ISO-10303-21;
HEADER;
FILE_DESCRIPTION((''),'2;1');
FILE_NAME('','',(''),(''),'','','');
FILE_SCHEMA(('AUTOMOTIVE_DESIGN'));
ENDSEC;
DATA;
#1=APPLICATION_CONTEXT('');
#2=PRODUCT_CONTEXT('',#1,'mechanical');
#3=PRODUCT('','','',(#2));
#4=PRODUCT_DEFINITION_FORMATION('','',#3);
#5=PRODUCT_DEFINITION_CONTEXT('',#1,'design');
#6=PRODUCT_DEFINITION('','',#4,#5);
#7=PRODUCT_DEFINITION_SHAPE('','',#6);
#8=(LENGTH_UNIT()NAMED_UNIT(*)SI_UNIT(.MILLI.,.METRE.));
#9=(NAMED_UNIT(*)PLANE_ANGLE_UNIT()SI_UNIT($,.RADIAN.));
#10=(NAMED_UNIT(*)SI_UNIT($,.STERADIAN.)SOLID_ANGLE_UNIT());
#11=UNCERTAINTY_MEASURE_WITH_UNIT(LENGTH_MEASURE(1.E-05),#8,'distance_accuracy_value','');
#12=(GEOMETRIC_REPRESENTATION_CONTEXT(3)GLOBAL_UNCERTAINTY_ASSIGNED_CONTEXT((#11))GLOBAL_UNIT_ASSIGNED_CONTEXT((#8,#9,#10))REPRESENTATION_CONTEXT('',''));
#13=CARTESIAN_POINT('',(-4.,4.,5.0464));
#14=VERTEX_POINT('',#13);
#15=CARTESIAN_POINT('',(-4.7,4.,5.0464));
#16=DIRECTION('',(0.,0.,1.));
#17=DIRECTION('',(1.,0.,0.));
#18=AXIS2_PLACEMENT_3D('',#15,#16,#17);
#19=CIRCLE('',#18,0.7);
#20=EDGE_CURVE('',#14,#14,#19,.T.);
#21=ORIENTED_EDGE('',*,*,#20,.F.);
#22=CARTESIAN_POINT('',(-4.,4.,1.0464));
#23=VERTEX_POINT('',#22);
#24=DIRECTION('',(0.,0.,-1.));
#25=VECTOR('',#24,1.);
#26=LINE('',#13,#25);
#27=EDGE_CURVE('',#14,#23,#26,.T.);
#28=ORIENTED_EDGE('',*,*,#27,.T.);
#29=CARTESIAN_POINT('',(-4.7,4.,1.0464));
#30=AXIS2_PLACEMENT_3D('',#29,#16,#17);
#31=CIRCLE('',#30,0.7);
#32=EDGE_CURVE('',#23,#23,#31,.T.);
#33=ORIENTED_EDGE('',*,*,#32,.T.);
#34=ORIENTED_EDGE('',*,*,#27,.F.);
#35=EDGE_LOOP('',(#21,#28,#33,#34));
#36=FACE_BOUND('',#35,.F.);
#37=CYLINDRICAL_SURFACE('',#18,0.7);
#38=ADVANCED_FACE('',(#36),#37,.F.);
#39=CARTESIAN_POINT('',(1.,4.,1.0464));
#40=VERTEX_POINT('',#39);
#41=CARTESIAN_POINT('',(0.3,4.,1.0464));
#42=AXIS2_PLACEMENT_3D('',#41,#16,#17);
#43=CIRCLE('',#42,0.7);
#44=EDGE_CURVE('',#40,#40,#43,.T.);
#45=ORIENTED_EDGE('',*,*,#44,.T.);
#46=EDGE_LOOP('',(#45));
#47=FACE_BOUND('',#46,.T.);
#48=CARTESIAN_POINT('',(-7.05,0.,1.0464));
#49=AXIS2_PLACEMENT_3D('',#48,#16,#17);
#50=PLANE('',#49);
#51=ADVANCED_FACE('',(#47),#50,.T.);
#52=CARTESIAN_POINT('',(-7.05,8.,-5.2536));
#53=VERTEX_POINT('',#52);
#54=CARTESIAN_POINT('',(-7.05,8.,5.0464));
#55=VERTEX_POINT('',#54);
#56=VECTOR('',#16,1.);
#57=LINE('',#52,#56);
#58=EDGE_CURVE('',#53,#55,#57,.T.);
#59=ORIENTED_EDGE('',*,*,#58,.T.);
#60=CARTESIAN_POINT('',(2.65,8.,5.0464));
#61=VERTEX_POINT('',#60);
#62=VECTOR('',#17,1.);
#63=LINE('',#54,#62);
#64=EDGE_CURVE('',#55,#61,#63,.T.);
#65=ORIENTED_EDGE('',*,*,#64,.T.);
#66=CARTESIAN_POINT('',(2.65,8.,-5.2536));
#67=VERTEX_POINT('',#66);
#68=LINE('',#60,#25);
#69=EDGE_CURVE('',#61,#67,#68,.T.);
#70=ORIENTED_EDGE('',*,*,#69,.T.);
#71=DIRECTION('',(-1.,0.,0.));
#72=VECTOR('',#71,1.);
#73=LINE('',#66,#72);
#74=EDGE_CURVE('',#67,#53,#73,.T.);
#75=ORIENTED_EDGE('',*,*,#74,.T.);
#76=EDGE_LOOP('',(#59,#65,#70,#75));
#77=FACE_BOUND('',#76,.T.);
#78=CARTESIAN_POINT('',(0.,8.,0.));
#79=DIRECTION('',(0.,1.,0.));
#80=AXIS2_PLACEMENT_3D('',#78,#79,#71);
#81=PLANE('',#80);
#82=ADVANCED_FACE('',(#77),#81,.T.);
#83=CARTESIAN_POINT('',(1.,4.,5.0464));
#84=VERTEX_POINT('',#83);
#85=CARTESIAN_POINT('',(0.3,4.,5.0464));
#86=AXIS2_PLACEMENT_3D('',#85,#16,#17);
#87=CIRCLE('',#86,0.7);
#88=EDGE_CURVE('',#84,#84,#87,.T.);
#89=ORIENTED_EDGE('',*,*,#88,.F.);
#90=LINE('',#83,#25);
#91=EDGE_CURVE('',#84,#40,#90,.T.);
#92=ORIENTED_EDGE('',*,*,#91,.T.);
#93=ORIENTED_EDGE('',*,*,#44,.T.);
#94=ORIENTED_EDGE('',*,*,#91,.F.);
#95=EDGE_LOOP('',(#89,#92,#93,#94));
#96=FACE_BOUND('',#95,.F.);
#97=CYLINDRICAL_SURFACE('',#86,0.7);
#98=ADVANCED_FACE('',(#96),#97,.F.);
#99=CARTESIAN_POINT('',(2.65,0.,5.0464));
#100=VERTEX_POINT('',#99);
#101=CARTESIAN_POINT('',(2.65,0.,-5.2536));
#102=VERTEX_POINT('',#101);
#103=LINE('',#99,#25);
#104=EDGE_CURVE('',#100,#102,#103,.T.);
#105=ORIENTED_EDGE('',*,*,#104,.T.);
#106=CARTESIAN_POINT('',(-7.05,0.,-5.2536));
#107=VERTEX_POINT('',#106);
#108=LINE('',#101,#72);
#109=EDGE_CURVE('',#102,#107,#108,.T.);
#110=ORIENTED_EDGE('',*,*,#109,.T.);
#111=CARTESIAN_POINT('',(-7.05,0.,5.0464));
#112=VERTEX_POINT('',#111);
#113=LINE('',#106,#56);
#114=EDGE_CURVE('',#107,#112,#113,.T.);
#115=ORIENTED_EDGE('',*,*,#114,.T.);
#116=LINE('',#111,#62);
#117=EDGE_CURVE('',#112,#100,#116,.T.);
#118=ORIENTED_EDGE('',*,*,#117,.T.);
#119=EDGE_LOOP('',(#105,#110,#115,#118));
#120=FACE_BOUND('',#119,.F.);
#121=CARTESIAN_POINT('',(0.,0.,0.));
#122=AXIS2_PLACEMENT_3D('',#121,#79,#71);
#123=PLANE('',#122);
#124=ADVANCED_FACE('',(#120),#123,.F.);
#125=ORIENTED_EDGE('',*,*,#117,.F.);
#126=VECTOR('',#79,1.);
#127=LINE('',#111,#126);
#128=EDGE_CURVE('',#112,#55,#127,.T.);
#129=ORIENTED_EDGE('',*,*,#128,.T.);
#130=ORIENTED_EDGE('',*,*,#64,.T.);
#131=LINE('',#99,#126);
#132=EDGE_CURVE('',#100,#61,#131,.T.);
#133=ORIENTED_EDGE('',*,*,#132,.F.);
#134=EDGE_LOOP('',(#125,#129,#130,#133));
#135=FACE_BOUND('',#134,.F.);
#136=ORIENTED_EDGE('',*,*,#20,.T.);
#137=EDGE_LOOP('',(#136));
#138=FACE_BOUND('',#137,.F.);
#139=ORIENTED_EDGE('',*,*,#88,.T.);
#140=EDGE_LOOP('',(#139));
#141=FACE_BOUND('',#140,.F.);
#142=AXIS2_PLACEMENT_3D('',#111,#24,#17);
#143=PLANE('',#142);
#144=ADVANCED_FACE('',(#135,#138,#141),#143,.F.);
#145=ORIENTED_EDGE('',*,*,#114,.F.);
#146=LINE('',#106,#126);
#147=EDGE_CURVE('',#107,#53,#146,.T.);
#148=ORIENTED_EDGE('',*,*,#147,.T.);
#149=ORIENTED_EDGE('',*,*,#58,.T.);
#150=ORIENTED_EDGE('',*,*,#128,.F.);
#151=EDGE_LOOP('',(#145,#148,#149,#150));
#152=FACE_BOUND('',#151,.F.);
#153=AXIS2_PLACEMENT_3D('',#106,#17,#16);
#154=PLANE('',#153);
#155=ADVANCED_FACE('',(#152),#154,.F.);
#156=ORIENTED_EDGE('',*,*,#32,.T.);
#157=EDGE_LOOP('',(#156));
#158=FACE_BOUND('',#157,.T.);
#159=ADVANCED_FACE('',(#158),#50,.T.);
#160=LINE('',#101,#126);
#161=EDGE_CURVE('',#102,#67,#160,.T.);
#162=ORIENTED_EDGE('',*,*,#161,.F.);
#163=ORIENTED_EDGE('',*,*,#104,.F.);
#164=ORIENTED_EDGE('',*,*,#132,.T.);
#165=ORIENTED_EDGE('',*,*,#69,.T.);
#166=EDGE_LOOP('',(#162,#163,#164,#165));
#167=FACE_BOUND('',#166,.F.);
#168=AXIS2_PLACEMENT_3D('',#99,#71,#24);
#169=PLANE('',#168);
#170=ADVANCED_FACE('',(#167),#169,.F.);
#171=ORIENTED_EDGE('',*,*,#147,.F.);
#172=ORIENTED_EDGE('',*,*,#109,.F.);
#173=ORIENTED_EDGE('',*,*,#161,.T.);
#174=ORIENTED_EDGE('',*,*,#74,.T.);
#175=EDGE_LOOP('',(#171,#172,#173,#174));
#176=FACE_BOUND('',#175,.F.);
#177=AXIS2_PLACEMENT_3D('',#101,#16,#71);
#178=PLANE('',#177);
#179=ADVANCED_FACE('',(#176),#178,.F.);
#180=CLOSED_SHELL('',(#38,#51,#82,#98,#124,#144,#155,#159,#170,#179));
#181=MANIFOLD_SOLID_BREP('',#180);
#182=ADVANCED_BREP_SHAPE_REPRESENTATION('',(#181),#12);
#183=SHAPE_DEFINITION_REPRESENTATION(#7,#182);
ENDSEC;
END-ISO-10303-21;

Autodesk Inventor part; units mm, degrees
ref_plane "YZ Plane" through (0, 0, 0) normal (1, 0, 0) x (0, 1, 0)
ref_plane "XZ Plane" through (0, 0, 0) normal (0, 1, 0) x (-1, 0, 0)
ref_plane "XY Plane" through (0, 0, 0) normal (0, 0, 1) x (1, 0, 0)
sketch "Skizze1" plane through (0, 0, 0) normal (0, 1, 0) x (-1, 0, 0)
  line L0 (7.05, 5.0464) -> (-2.65, 5.0464)
  line L1 (-2.65, 5.0464) -> (-2.65, -5.2536)
  line L2 (-2.65, -5.2536) -> (7.05, -5.2536)
  line L3 (7.05, -5.2536) -> (7.05, 5.0464)
  point P0 (0, 0)
  dimension "d0" = 9.7
  dimension "d1" = 10.3
extrude "Extrusion1" add sketch "Skizze1" along normal blind 8
sketch "Skizze2" plane through (-7.05, 0, 5.0464) normal (0, 0, 1) x (1, 0, 0)
  circle A0 centre (2.35, 4) radius 0.7
  circle A1 centre (7.35, 4) radius 0.7
  line L0 (0, 8) -> (9.7, 8) projected
  line L1 (2.35, 4) -> (7.35, 4) construction
  line L2 (0, 0) -> (0, 8) construction
  point P0 (7.05, 0)
  dimension "d4" = 4
  dimension "d5" = 5
  dimension "d6" = 2.35
  dimension "d7" = 1.4
extrude "Extrusion2" cut sketch "Skizze2" against normal blind 4
properties part number "Honigschleuder_Steuerung_Netzteil_Notausklemme"
